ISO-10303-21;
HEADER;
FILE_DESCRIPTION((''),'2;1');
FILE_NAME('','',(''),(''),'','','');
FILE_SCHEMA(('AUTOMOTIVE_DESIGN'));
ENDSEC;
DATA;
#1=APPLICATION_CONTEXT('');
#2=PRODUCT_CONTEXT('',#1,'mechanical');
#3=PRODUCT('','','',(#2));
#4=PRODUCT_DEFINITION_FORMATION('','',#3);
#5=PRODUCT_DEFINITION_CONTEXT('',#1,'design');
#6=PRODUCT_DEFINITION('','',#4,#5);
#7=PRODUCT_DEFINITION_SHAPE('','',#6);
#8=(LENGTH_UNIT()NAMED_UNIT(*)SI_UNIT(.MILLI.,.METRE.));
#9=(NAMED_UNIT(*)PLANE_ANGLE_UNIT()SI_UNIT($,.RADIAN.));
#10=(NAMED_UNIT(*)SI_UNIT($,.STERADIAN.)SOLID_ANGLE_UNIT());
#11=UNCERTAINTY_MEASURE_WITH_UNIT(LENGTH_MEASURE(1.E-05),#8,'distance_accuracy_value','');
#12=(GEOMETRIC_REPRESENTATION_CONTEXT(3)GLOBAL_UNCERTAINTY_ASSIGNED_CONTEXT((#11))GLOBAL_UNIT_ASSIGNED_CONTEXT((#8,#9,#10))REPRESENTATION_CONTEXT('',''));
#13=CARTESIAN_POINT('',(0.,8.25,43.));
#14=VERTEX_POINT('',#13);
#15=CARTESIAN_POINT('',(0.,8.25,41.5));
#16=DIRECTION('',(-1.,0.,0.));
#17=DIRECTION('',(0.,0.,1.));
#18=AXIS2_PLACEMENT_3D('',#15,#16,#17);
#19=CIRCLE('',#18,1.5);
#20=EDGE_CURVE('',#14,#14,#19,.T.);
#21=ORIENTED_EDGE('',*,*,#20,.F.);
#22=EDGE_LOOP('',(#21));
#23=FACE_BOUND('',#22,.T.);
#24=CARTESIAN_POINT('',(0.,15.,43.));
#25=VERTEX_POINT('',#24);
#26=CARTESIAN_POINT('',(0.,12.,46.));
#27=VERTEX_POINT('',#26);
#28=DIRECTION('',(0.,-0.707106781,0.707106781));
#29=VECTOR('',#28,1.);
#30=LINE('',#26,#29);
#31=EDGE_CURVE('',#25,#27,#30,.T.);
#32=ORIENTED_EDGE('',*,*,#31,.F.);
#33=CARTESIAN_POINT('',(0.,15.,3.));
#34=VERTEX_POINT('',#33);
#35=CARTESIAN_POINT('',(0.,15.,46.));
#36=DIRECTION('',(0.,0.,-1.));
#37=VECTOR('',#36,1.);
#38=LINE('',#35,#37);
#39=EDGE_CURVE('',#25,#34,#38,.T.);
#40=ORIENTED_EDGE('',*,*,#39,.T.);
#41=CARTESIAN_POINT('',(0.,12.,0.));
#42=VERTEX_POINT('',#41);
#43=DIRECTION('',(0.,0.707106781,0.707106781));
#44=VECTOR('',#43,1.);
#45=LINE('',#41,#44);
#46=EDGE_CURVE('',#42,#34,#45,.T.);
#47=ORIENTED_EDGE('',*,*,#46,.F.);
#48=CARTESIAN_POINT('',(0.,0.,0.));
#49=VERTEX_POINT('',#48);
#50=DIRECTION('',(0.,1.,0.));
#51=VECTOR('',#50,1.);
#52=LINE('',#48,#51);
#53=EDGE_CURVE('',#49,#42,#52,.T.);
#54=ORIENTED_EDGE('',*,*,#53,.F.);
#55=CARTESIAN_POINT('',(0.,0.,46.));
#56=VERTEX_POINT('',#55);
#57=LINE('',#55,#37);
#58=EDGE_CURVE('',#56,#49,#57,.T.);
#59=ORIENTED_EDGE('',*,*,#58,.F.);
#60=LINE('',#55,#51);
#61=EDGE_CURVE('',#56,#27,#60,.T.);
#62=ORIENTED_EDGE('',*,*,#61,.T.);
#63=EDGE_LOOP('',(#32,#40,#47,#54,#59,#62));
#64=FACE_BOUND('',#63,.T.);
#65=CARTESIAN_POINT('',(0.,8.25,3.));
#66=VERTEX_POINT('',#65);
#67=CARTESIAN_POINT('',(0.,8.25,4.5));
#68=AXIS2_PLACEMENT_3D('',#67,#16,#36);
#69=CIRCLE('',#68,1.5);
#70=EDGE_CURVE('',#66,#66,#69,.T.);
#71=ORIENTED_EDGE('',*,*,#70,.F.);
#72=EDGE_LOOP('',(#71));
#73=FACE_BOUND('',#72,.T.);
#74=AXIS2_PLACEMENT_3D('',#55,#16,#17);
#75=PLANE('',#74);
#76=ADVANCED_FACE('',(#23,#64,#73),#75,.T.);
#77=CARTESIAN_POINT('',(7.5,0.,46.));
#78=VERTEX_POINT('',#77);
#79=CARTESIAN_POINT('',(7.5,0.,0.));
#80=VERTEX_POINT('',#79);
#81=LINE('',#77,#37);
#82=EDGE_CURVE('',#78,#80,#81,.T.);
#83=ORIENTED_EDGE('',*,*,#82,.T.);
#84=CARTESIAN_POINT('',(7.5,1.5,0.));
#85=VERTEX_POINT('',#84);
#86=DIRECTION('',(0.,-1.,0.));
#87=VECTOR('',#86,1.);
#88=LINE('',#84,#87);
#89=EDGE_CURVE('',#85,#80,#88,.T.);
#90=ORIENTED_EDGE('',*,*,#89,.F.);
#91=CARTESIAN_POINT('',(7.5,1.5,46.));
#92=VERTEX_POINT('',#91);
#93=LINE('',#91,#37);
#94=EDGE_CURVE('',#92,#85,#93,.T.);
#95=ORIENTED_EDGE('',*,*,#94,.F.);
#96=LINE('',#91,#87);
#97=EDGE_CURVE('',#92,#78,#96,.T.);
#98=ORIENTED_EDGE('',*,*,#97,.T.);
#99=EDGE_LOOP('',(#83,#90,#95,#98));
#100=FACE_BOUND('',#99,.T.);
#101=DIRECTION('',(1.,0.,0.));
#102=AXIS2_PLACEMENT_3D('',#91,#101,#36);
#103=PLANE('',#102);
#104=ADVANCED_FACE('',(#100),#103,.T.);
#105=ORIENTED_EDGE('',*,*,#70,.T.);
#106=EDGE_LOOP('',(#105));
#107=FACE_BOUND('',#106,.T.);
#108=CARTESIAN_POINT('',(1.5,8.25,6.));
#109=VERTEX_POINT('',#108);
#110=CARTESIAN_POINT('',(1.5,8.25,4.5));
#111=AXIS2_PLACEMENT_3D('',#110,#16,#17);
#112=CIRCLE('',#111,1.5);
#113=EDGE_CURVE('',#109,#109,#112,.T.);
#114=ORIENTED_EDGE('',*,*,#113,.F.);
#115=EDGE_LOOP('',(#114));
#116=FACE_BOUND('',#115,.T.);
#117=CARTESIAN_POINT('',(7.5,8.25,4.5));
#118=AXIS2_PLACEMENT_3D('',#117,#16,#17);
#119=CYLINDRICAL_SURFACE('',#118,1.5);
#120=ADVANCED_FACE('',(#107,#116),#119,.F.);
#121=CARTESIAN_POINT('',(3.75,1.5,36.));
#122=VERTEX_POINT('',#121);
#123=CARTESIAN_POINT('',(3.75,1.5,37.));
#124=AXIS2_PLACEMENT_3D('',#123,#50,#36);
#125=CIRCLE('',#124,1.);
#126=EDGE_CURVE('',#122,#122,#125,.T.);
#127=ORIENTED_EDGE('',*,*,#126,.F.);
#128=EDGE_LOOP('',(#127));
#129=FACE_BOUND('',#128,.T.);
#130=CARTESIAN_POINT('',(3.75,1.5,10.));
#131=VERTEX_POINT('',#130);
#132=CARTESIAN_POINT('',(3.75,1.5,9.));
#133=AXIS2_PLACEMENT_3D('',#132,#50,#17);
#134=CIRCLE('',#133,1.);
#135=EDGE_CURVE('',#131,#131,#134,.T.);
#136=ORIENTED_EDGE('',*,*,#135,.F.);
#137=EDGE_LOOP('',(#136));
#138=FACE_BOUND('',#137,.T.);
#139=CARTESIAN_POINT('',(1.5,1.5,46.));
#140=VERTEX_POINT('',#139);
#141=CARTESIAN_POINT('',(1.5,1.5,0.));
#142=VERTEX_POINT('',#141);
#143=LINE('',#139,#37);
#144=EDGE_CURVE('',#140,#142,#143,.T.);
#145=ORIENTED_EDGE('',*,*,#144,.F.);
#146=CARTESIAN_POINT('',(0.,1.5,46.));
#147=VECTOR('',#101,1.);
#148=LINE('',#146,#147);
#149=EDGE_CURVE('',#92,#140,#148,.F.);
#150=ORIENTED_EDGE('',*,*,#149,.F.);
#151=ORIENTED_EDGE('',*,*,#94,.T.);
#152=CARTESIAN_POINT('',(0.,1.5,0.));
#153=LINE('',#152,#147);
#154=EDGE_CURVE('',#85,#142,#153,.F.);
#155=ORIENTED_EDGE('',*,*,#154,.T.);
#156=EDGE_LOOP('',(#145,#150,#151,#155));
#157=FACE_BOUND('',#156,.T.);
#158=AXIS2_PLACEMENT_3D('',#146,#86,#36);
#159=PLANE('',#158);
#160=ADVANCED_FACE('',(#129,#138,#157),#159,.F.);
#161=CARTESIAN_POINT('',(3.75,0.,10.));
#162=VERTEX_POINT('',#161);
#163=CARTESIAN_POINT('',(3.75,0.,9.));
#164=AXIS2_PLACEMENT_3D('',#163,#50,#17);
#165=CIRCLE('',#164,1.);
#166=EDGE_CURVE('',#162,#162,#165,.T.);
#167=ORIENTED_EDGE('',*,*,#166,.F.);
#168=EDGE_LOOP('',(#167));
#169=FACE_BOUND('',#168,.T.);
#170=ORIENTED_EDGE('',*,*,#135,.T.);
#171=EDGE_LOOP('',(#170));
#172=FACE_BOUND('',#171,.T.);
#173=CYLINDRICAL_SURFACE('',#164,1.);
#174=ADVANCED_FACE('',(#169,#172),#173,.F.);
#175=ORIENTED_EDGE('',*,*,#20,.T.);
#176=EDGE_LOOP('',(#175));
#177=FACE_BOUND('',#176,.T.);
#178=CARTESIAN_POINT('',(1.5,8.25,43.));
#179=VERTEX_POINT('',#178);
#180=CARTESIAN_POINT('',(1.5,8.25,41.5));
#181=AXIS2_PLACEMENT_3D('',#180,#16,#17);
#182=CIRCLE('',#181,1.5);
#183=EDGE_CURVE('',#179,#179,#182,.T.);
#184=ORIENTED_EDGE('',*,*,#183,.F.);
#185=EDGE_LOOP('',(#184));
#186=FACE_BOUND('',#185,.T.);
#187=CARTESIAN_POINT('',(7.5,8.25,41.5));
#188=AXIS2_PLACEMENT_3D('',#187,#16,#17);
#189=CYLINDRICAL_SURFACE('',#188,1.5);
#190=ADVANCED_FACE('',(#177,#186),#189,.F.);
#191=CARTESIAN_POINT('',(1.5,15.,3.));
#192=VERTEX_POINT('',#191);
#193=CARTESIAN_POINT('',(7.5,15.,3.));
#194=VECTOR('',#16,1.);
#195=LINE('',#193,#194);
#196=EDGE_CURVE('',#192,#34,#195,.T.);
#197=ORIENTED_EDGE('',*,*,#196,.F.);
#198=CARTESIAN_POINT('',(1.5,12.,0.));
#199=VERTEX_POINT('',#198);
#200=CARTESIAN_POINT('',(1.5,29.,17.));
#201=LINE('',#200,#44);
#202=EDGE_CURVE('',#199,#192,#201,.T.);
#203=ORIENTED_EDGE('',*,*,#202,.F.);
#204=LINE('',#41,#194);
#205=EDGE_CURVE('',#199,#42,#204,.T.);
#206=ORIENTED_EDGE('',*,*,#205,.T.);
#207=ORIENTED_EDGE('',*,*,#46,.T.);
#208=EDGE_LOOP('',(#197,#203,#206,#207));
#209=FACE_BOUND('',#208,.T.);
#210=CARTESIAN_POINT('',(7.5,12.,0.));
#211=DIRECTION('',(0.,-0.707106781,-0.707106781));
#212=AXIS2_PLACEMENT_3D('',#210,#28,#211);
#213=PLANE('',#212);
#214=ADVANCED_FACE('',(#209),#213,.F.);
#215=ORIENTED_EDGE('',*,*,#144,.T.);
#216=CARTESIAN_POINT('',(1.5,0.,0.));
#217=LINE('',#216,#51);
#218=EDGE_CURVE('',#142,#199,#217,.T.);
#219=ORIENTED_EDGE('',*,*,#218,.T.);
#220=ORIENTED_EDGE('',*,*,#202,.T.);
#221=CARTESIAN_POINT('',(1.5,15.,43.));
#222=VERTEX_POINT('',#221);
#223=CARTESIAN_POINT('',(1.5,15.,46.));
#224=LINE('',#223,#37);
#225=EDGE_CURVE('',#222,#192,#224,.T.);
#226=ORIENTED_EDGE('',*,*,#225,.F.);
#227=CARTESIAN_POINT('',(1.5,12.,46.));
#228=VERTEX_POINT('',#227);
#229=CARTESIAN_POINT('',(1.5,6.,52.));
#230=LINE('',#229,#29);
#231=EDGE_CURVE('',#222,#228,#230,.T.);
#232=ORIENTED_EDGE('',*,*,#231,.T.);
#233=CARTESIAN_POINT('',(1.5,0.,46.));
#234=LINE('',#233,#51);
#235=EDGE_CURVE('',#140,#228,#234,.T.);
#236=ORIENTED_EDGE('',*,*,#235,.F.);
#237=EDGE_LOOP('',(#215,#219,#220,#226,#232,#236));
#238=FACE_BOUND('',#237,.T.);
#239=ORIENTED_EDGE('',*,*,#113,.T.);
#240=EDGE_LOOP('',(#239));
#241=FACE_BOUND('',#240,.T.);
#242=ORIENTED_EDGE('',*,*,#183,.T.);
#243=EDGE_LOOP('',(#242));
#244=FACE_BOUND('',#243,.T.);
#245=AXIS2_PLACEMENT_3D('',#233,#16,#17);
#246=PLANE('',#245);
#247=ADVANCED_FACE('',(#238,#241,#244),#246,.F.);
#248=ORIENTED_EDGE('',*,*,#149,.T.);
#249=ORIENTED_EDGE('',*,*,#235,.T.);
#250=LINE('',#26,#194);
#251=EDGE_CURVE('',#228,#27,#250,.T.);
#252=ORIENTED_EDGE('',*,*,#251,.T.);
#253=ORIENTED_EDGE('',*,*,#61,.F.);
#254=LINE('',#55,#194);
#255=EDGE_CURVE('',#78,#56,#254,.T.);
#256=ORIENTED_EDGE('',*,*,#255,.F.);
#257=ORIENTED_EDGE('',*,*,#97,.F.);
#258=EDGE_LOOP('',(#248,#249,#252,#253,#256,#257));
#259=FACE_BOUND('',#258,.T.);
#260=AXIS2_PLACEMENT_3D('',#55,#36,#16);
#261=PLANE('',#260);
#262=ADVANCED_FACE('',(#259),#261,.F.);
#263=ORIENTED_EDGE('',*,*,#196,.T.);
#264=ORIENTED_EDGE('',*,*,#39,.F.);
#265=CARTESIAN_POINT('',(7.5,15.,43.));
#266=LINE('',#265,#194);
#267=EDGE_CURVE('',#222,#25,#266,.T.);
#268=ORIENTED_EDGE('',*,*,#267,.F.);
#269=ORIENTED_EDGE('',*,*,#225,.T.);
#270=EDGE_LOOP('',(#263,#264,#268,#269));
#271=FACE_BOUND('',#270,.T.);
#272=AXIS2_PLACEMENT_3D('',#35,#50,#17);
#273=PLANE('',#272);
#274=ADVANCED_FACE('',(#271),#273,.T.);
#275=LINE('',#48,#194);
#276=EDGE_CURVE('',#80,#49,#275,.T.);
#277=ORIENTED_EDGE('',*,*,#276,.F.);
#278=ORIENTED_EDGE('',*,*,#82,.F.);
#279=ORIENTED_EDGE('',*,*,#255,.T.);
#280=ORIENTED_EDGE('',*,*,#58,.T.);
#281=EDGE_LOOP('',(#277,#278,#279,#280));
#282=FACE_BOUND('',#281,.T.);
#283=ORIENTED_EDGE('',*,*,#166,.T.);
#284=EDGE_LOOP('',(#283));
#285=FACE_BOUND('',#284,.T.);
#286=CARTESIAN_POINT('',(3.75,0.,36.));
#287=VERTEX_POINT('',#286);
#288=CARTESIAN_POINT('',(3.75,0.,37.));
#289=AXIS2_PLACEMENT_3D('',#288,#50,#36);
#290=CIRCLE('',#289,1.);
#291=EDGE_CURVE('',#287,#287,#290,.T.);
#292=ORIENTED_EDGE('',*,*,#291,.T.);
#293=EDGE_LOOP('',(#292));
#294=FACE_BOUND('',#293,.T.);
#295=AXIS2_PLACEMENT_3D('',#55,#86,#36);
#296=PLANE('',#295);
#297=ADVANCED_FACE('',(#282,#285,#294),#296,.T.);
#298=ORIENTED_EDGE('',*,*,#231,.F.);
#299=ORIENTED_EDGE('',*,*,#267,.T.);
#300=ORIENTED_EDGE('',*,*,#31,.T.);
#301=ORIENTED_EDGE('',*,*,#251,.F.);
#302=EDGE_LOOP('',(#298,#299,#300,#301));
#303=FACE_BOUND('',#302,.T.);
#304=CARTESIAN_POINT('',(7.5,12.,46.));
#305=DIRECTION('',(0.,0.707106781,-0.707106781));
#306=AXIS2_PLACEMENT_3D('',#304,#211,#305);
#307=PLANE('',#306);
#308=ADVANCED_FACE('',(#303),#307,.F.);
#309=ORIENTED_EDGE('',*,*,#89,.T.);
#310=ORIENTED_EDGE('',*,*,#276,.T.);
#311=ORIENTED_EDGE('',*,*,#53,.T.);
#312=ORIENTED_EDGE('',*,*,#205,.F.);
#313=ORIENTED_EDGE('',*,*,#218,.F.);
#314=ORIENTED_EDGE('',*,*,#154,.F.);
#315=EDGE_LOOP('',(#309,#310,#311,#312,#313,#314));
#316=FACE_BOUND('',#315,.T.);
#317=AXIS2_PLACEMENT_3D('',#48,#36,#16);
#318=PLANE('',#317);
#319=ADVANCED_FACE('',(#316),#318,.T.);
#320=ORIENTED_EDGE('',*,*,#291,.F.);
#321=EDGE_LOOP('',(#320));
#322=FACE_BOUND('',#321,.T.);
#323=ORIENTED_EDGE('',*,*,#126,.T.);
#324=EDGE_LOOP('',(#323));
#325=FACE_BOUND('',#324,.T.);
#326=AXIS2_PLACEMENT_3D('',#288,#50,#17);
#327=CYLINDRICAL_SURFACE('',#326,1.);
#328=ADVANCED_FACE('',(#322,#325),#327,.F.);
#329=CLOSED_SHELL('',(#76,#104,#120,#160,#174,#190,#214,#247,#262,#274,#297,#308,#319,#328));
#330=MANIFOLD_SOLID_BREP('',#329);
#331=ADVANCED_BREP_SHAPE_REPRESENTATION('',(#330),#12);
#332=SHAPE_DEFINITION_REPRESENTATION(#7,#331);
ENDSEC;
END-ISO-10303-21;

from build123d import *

# Parameters (mm, degrees)
EXTRUDE_THIN1_DEPTH = 46
SKETCH2_R           = 1
CUT_EXTRUDE1_DEPTH  = 49.523190332
SKETCH3_R           = 1.5
CUT_EXTRUDE2_DEPTH  = 49.961719741
CUT_EXTRUDE3_DEPTH  = 49.961719741


with BuildPart() as part:
    # Sketch1 → Extrude-Thin1 (new body)
    with BuildSketch(Plane.XY):
        Polygon((0, 15), (0, 0), (7.5, 0), (7.5, 1.5), (1.5, 1.5), (1.5, 15), align=None)
    extrude(amount=EXTRUDE_THIN1_DEPTH)

    # Sketch2 → Cut-Extrude1 (cut, through all)
    with BuildSketch(Plane(origin=(0, 1.5, 0), x_dir=(1, 0, 0), z_dir=(0, 1, 0))):
        with Locations(Location((3.75, -9, 0), (0, 0, 270))):
            Circle(SKETCH2_R)
        with Locations(Location((3.75, -37, 0), (0, 0, 90))):
            Circle(SKETCH2_R)
    extrude(amount=-CUT_EXTRUDE1_DEPTH, mode=Mode.SUBTRACT)

    # Sketch3 → Cut-Extrude2 (cut, through all)
    with BuildSketch(Plane.ZY):
        with Locations((41.5, 8.25)):
            Circle(SKETCH3_R)
        with Locations((4.5, 8.25)):
            Circle(SKETCH3_R)
    extrude(amount=-CUT_EXTRUDE2_DEPTH, mode=Mode.SUBTRACT)

    # Sketch4 → Cut-Extrude3 (cut, through all)
    with BuildSketch(Plane.ZY):
        Polygon((0, 12), (3, 15), (0, 15), align=None)
        Polygon((46, 15), (43, 15), (46, 12), align=None)
    extrude(amount=-CUT_EXTRUDE3_DEPTH, mode=Mode.SUBTRACT)


solid = part.part
